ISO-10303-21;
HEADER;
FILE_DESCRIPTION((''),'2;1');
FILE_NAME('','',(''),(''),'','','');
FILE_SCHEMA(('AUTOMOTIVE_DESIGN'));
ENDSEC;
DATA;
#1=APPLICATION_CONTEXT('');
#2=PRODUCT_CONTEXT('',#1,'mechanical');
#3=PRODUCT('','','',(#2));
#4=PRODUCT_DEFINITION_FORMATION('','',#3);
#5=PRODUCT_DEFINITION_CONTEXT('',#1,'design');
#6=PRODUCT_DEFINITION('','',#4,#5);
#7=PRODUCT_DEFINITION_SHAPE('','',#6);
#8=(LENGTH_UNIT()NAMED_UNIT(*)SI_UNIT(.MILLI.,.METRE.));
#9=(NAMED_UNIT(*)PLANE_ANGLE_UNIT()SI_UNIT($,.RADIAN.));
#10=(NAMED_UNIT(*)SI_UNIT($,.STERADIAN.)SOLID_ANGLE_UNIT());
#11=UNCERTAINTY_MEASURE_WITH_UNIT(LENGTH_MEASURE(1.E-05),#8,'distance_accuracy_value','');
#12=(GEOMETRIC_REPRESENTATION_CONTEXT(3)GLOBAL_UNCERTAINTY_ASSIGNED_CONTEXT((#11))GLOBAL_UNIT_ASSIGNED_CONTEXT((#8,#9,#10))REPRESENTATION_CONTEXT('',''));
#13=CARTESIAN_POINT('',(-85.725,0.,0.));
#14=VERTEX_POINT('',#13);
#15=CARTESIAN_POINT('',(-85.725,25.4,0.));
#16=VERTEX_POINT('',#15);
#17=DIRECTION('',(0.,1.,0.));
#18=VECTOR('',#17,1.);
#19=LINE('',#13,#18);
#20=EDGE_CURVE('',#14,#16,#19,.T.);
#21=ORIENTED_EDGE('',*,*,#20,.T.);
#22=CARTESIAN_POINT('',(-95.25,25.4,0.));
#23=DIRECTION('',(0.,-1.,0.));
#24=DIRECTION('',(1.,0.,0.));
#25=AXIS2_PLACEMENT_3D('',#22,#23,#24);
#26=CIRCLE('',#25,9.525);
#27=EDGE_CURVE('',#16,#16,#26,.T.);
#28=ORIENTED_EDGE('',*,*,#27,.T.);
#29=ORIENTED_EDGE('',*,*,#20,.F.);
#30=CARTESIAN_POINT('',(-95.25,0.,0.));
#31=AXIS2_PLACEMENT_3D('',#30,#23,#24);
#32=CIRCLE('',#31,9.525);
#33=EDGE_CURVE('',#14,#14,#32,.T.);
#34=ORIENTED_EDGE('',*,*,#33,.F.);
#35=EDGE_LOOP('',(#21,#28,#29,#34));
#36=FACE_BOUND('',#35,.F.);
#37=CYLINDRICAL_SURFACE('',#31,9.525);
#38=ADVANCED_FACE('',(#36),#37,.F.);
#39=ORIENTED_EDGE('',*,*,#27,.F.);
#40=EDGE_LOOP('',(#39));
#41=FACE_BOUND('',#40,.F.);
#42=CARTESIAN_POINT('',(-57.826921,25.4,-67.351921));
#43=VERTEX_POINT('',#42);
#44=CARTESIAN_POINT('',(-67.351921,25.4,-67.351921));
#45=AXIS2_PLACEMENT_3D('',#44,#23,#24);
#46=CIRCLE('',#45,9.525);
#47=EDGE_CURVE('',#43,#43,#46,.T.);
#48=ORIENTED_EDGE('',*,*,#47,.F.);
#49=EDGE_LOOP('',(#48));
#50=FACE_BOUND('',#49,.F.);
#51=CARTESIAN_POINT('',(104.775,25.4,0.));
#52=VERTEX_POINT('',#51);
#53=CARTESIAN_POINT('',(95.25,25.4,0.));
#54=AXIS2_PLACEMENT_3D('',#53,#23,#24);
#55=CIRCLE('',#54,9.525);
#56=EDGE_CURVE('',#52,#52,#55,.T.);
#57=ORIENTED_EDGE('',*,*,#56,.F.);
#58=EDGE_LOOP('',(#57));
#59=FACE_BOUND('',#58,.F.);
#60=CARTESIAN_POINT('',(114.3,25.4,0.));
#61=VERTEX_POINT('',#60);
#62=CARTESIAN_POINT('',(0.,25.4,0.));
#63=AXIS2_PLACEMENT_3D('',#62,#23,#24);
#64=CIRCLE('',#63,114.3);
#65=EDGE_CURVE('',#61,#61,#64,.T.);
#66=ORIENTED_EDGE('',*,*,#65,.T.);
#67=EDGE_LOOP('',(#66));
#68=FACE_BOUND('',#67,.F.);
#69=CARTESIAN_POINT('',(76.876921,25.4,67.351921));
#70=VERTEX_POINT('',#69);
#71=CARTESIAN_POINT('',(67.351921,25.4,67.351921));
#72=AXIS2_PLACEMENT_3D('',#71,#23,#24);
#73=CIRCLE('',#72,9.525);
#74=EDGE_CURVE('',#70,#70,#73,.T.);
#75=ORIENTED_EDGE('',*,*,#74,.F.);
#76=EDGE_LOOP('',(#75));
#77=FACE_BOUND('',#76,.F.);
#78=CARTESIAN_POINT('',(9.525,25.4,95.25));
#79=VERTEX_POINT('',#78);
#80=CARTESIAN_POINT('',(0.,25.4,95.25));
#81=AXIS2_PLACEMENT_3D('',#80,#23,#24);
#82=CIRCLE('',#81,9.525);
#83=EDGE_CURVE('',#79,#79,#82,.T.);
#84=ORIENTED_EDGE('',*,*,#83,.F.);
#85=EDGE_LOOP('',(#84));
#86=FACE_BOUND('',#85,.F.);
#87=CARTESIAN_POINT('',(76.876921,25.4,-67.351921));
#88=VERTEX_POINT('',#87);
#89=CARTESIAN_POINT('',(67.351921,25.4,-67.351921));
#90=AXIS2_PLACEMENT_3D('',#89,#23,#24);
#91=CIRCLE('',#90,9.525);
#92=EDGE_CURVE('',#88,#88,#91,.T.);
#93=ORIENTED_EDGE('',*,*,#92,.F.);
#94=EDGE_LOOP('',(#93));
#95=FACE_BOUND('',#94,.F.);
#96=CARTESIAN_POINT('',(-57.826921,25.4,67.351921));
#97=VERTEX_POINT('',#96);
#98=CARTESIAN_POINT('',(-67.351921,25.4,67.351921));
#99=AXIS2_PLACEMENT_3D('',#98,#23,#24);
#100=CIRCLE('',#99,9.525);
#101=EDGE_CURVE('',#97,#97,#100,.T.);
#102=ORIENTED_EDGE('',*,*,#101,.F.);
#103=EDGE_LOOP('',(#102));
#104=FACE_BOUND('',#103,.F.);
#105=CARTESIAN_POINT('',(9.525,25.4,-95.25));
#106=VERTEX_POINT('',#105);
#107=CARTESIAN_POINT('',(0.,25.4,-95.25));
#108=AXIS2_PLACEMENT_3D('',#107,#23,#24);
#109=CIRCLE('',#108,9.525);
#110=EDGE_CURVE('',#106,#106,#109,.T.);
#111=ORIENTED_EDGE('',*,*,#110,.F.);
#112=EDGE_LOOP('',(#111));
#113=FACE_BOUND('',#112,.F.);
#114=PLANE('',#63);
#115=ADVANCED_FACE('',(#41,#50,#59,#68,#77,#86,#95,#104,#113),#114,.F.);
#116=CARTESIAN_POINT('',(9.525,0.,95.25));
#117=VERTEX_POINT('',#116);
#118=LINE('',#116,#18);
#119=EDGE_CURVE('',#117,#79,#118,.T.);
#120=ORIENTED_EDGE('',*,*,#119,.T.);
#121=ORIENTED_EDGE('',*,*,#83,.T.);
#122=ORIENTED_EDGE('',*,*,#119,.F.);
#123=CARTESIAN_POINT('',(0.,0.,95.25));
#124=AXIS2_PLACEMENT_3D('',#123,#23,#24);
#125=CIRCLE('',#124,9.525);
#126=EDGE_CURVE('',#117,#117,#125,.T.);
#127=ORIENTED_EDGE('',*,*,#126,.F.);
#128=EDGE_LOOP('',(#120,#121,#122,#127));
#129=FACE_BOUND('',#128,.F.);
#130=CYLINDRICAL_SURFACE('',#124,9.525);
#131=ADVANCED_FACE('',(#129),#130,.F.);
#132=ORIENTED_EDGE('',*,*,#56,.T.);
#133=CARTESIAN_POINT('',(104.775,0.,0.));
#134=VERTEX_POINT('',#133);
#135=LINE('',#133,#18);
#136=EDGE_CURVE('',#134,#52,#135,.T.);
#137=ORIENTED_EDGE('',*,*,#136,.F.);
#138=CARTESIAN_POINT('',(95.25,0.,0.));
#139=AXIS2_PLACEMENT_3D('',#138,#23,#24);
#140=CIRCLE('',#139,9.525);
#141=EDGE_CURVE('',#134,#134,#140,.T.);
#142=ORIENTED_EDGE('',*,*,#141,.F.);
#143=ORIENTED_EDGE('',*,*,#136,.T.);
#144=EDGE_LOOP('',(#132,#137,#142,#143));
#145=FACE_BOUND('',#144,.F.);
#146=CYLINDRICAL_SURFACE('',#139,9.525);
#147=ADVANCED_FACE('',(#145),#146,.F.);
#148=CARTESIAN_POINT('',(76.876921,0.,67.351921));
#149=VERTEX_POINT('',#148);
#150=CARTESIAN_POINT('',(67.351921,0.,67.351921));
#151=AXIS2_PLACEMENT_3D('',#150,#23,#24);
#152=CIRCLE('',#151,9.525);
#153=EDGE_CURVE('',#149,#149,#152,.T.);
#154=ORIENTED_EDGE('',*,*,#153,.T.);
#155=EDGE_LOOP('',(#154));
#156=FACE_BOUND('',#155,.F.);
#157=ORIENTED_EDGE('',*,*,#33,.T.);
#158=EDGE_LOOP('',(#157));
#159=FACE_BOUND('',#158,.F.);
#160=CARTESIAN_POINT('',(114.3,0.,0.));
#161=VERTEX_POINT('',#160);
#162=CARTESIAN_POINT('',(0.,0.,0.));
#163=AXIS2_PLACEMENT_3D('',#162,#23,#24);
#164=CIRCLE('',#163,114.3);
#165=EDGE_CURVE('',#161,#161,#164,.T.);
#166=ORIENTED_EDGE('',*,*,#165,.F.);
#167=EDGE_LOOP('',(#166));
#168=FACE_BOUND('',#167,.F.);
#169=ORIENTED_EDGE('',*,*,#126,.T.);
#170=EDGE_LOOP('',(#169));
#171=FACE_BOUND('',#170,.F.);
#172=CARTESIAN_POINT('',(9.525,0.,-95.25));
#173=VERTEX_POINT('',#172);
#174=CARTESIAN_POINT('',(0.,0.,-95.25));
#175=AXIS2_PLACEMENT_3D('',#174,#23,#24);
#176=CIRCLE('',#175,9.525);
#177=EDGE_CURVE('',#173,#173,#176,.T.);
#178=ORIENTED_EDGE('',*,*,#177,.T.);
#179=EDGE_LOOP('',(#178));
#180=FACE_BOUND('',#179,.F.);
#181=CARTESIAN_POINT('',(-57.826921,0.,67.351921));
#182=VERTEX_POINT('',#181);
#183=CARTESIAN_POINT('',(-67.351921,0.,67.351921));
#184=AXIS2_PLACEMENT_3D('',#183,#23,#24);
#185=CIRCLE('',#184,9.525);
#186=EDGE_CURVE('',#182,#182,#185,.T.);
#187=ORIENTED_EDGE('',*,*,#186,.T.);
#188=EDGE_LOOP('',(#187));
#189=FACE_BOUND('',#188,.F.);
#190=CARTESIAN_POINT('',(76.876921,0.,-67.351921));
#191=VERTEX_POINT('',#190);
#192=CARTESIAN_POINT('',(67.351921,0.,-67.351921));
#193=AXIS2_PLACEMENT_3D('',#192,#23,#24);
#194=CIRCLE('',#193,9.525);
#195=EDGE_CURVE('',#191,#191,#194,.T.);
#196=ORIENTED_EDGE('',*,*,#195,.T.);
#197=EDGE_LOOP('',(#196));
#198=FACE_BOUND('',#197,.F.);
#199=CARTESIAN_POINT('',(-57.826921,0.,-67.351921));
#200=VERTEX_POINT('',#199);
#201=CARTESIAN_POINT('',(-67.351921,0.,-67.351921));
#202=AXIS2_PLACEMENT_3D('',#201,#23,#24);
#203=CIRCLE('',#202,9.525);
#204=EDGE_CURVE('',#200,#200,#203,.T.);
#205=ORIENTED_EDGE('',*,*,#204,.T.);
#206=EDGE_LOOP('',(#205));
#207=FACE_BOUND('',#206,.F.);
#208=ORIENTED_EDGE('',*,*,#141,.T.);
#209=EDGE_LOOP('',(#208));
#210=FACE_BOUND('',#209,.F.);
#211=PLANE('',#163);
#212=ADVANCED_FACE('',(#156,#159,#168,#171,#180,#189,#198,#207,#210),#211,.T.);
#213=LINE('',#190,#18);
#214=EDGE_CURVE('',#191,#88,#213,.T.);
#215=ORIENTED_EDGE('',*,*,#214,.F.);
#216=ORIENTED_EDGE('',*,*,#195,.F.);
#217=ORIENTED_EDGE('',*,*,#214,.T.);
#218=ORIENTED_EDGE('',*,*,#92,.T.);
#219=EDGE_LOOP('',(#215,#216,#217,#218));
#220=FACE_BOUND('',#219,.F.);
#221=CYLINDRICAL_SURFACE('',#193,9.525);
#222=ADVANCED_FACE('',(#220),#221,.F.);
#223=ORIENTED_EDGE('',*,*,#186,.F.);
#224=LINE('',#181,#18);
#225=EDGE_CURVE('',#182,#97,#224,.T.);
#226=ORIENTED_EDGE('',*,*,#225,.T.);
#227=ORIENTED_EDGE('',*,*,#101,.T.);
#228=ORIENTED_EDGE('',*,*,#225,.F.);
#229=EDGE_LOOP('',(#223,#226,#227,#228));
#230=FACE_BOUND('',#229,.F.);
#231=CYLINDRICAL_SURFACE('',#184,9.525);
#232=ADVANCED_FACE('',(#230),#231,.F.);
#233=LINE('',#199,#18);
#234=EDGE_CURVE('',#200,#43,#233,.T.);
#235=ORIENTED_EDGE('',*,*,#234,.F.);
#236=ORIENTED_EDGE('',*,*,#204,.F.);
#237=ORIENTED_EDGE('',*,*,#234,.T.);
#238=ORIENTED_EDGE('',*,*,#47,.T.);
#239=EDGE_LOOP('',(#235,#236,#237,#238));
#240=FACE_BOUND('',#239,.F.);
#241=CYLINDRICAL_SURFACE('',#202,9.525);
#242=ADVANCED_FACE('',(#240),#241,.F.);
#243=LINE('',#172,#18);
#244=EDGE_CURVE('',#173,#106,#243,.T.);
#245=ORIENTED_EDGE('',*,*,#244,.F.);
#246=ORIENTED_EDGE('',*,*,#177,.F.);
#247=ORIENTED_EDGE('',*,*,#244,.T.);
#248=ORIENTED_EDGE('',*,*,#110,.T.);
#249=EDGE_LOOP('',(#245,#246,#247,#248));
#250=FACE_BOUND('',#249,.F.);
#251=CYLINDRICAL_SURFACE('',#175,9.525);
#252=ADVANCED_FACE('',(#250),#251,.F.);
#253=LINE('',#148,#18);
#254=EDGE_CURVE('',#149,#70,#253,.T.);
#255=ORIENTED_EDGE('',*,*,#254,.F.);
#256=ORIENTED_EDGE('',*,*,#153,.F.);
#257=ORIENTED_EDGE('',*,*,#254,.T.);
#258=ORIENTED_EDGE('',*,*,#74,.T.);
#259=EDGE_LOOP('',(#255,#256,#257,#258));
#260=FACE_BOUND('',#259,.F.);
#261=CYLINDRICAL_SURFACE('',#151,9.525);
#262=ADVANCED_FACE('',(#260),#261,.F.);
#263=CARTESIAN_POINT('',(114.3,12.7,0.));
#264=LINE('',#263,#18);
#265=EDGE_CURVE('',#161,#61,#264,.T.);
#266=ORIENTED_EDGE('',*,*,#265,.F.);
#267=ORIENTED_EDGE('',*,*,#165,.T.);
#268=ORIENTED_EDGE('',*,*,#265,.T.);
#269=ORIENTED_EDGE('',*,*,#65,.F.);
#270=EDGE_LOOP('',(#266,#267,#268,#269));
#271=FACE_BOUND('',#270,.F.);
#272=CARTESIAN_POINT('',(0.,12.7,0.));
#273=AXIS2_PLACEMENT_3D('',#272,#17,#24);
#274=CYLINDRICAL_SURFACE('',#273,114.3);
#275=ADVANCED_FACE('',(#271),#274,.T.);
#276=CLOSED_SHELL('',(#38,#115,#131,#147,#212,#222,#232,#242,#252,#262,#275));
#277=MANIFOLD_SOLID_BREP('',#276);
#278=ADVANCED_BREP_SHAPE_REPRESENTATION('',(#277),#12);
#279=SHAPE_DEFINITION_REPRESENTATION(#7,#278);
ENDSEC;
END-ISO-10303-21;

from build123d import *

# Parameters (mm, degrees)
F0_W     = 63.1698
F0_H     = 25.4
F0_W_2   = 51.1302
F2_R     = 9.525
F3_DEPTH = 25.4


with BuildPart() as f1:
    # F0 (on Top) → F1 (revolve)
    with BuildSketch(Plane.XY):
        with Locations((82.7151, 12.7)):
            Rectangle(F0_W, F0_H)
        with Locations((25.5651, 12.7)):
            Rectangle(F0_W_2, F0_H)
    revolve(axis=Axis((0, 12.7, 0), (0, -1, 0)))

    # F2 (on face) → F3 (cut, through all)
    with BuildSketch(Plane.XZ):
        with Locations((-95.25, 0)):
            Circle(F2_R)
        with Locations((-67.351921, -67.351921)):
            Circle(F2_R)
        with Locations((0, -95.25)):
            Circle(F2_R)
        with Locations((67.351921, -67.351921)):
            Circle(F2_R)
        with Locations((95.25, 0)):
            Circle(F2_R)
        with Locations((67.351921, 67.351921)):
            Circle(F2_R)
        with Locations((0, 95.25)):
            Circle(F2_R)
        with Locations((-67.351921, 67.351921)):
            Circle(F2_R)
    extrude(amount=-F3_DEPTH, mode=Mode.SUBTRACT)


solid = f1.part
